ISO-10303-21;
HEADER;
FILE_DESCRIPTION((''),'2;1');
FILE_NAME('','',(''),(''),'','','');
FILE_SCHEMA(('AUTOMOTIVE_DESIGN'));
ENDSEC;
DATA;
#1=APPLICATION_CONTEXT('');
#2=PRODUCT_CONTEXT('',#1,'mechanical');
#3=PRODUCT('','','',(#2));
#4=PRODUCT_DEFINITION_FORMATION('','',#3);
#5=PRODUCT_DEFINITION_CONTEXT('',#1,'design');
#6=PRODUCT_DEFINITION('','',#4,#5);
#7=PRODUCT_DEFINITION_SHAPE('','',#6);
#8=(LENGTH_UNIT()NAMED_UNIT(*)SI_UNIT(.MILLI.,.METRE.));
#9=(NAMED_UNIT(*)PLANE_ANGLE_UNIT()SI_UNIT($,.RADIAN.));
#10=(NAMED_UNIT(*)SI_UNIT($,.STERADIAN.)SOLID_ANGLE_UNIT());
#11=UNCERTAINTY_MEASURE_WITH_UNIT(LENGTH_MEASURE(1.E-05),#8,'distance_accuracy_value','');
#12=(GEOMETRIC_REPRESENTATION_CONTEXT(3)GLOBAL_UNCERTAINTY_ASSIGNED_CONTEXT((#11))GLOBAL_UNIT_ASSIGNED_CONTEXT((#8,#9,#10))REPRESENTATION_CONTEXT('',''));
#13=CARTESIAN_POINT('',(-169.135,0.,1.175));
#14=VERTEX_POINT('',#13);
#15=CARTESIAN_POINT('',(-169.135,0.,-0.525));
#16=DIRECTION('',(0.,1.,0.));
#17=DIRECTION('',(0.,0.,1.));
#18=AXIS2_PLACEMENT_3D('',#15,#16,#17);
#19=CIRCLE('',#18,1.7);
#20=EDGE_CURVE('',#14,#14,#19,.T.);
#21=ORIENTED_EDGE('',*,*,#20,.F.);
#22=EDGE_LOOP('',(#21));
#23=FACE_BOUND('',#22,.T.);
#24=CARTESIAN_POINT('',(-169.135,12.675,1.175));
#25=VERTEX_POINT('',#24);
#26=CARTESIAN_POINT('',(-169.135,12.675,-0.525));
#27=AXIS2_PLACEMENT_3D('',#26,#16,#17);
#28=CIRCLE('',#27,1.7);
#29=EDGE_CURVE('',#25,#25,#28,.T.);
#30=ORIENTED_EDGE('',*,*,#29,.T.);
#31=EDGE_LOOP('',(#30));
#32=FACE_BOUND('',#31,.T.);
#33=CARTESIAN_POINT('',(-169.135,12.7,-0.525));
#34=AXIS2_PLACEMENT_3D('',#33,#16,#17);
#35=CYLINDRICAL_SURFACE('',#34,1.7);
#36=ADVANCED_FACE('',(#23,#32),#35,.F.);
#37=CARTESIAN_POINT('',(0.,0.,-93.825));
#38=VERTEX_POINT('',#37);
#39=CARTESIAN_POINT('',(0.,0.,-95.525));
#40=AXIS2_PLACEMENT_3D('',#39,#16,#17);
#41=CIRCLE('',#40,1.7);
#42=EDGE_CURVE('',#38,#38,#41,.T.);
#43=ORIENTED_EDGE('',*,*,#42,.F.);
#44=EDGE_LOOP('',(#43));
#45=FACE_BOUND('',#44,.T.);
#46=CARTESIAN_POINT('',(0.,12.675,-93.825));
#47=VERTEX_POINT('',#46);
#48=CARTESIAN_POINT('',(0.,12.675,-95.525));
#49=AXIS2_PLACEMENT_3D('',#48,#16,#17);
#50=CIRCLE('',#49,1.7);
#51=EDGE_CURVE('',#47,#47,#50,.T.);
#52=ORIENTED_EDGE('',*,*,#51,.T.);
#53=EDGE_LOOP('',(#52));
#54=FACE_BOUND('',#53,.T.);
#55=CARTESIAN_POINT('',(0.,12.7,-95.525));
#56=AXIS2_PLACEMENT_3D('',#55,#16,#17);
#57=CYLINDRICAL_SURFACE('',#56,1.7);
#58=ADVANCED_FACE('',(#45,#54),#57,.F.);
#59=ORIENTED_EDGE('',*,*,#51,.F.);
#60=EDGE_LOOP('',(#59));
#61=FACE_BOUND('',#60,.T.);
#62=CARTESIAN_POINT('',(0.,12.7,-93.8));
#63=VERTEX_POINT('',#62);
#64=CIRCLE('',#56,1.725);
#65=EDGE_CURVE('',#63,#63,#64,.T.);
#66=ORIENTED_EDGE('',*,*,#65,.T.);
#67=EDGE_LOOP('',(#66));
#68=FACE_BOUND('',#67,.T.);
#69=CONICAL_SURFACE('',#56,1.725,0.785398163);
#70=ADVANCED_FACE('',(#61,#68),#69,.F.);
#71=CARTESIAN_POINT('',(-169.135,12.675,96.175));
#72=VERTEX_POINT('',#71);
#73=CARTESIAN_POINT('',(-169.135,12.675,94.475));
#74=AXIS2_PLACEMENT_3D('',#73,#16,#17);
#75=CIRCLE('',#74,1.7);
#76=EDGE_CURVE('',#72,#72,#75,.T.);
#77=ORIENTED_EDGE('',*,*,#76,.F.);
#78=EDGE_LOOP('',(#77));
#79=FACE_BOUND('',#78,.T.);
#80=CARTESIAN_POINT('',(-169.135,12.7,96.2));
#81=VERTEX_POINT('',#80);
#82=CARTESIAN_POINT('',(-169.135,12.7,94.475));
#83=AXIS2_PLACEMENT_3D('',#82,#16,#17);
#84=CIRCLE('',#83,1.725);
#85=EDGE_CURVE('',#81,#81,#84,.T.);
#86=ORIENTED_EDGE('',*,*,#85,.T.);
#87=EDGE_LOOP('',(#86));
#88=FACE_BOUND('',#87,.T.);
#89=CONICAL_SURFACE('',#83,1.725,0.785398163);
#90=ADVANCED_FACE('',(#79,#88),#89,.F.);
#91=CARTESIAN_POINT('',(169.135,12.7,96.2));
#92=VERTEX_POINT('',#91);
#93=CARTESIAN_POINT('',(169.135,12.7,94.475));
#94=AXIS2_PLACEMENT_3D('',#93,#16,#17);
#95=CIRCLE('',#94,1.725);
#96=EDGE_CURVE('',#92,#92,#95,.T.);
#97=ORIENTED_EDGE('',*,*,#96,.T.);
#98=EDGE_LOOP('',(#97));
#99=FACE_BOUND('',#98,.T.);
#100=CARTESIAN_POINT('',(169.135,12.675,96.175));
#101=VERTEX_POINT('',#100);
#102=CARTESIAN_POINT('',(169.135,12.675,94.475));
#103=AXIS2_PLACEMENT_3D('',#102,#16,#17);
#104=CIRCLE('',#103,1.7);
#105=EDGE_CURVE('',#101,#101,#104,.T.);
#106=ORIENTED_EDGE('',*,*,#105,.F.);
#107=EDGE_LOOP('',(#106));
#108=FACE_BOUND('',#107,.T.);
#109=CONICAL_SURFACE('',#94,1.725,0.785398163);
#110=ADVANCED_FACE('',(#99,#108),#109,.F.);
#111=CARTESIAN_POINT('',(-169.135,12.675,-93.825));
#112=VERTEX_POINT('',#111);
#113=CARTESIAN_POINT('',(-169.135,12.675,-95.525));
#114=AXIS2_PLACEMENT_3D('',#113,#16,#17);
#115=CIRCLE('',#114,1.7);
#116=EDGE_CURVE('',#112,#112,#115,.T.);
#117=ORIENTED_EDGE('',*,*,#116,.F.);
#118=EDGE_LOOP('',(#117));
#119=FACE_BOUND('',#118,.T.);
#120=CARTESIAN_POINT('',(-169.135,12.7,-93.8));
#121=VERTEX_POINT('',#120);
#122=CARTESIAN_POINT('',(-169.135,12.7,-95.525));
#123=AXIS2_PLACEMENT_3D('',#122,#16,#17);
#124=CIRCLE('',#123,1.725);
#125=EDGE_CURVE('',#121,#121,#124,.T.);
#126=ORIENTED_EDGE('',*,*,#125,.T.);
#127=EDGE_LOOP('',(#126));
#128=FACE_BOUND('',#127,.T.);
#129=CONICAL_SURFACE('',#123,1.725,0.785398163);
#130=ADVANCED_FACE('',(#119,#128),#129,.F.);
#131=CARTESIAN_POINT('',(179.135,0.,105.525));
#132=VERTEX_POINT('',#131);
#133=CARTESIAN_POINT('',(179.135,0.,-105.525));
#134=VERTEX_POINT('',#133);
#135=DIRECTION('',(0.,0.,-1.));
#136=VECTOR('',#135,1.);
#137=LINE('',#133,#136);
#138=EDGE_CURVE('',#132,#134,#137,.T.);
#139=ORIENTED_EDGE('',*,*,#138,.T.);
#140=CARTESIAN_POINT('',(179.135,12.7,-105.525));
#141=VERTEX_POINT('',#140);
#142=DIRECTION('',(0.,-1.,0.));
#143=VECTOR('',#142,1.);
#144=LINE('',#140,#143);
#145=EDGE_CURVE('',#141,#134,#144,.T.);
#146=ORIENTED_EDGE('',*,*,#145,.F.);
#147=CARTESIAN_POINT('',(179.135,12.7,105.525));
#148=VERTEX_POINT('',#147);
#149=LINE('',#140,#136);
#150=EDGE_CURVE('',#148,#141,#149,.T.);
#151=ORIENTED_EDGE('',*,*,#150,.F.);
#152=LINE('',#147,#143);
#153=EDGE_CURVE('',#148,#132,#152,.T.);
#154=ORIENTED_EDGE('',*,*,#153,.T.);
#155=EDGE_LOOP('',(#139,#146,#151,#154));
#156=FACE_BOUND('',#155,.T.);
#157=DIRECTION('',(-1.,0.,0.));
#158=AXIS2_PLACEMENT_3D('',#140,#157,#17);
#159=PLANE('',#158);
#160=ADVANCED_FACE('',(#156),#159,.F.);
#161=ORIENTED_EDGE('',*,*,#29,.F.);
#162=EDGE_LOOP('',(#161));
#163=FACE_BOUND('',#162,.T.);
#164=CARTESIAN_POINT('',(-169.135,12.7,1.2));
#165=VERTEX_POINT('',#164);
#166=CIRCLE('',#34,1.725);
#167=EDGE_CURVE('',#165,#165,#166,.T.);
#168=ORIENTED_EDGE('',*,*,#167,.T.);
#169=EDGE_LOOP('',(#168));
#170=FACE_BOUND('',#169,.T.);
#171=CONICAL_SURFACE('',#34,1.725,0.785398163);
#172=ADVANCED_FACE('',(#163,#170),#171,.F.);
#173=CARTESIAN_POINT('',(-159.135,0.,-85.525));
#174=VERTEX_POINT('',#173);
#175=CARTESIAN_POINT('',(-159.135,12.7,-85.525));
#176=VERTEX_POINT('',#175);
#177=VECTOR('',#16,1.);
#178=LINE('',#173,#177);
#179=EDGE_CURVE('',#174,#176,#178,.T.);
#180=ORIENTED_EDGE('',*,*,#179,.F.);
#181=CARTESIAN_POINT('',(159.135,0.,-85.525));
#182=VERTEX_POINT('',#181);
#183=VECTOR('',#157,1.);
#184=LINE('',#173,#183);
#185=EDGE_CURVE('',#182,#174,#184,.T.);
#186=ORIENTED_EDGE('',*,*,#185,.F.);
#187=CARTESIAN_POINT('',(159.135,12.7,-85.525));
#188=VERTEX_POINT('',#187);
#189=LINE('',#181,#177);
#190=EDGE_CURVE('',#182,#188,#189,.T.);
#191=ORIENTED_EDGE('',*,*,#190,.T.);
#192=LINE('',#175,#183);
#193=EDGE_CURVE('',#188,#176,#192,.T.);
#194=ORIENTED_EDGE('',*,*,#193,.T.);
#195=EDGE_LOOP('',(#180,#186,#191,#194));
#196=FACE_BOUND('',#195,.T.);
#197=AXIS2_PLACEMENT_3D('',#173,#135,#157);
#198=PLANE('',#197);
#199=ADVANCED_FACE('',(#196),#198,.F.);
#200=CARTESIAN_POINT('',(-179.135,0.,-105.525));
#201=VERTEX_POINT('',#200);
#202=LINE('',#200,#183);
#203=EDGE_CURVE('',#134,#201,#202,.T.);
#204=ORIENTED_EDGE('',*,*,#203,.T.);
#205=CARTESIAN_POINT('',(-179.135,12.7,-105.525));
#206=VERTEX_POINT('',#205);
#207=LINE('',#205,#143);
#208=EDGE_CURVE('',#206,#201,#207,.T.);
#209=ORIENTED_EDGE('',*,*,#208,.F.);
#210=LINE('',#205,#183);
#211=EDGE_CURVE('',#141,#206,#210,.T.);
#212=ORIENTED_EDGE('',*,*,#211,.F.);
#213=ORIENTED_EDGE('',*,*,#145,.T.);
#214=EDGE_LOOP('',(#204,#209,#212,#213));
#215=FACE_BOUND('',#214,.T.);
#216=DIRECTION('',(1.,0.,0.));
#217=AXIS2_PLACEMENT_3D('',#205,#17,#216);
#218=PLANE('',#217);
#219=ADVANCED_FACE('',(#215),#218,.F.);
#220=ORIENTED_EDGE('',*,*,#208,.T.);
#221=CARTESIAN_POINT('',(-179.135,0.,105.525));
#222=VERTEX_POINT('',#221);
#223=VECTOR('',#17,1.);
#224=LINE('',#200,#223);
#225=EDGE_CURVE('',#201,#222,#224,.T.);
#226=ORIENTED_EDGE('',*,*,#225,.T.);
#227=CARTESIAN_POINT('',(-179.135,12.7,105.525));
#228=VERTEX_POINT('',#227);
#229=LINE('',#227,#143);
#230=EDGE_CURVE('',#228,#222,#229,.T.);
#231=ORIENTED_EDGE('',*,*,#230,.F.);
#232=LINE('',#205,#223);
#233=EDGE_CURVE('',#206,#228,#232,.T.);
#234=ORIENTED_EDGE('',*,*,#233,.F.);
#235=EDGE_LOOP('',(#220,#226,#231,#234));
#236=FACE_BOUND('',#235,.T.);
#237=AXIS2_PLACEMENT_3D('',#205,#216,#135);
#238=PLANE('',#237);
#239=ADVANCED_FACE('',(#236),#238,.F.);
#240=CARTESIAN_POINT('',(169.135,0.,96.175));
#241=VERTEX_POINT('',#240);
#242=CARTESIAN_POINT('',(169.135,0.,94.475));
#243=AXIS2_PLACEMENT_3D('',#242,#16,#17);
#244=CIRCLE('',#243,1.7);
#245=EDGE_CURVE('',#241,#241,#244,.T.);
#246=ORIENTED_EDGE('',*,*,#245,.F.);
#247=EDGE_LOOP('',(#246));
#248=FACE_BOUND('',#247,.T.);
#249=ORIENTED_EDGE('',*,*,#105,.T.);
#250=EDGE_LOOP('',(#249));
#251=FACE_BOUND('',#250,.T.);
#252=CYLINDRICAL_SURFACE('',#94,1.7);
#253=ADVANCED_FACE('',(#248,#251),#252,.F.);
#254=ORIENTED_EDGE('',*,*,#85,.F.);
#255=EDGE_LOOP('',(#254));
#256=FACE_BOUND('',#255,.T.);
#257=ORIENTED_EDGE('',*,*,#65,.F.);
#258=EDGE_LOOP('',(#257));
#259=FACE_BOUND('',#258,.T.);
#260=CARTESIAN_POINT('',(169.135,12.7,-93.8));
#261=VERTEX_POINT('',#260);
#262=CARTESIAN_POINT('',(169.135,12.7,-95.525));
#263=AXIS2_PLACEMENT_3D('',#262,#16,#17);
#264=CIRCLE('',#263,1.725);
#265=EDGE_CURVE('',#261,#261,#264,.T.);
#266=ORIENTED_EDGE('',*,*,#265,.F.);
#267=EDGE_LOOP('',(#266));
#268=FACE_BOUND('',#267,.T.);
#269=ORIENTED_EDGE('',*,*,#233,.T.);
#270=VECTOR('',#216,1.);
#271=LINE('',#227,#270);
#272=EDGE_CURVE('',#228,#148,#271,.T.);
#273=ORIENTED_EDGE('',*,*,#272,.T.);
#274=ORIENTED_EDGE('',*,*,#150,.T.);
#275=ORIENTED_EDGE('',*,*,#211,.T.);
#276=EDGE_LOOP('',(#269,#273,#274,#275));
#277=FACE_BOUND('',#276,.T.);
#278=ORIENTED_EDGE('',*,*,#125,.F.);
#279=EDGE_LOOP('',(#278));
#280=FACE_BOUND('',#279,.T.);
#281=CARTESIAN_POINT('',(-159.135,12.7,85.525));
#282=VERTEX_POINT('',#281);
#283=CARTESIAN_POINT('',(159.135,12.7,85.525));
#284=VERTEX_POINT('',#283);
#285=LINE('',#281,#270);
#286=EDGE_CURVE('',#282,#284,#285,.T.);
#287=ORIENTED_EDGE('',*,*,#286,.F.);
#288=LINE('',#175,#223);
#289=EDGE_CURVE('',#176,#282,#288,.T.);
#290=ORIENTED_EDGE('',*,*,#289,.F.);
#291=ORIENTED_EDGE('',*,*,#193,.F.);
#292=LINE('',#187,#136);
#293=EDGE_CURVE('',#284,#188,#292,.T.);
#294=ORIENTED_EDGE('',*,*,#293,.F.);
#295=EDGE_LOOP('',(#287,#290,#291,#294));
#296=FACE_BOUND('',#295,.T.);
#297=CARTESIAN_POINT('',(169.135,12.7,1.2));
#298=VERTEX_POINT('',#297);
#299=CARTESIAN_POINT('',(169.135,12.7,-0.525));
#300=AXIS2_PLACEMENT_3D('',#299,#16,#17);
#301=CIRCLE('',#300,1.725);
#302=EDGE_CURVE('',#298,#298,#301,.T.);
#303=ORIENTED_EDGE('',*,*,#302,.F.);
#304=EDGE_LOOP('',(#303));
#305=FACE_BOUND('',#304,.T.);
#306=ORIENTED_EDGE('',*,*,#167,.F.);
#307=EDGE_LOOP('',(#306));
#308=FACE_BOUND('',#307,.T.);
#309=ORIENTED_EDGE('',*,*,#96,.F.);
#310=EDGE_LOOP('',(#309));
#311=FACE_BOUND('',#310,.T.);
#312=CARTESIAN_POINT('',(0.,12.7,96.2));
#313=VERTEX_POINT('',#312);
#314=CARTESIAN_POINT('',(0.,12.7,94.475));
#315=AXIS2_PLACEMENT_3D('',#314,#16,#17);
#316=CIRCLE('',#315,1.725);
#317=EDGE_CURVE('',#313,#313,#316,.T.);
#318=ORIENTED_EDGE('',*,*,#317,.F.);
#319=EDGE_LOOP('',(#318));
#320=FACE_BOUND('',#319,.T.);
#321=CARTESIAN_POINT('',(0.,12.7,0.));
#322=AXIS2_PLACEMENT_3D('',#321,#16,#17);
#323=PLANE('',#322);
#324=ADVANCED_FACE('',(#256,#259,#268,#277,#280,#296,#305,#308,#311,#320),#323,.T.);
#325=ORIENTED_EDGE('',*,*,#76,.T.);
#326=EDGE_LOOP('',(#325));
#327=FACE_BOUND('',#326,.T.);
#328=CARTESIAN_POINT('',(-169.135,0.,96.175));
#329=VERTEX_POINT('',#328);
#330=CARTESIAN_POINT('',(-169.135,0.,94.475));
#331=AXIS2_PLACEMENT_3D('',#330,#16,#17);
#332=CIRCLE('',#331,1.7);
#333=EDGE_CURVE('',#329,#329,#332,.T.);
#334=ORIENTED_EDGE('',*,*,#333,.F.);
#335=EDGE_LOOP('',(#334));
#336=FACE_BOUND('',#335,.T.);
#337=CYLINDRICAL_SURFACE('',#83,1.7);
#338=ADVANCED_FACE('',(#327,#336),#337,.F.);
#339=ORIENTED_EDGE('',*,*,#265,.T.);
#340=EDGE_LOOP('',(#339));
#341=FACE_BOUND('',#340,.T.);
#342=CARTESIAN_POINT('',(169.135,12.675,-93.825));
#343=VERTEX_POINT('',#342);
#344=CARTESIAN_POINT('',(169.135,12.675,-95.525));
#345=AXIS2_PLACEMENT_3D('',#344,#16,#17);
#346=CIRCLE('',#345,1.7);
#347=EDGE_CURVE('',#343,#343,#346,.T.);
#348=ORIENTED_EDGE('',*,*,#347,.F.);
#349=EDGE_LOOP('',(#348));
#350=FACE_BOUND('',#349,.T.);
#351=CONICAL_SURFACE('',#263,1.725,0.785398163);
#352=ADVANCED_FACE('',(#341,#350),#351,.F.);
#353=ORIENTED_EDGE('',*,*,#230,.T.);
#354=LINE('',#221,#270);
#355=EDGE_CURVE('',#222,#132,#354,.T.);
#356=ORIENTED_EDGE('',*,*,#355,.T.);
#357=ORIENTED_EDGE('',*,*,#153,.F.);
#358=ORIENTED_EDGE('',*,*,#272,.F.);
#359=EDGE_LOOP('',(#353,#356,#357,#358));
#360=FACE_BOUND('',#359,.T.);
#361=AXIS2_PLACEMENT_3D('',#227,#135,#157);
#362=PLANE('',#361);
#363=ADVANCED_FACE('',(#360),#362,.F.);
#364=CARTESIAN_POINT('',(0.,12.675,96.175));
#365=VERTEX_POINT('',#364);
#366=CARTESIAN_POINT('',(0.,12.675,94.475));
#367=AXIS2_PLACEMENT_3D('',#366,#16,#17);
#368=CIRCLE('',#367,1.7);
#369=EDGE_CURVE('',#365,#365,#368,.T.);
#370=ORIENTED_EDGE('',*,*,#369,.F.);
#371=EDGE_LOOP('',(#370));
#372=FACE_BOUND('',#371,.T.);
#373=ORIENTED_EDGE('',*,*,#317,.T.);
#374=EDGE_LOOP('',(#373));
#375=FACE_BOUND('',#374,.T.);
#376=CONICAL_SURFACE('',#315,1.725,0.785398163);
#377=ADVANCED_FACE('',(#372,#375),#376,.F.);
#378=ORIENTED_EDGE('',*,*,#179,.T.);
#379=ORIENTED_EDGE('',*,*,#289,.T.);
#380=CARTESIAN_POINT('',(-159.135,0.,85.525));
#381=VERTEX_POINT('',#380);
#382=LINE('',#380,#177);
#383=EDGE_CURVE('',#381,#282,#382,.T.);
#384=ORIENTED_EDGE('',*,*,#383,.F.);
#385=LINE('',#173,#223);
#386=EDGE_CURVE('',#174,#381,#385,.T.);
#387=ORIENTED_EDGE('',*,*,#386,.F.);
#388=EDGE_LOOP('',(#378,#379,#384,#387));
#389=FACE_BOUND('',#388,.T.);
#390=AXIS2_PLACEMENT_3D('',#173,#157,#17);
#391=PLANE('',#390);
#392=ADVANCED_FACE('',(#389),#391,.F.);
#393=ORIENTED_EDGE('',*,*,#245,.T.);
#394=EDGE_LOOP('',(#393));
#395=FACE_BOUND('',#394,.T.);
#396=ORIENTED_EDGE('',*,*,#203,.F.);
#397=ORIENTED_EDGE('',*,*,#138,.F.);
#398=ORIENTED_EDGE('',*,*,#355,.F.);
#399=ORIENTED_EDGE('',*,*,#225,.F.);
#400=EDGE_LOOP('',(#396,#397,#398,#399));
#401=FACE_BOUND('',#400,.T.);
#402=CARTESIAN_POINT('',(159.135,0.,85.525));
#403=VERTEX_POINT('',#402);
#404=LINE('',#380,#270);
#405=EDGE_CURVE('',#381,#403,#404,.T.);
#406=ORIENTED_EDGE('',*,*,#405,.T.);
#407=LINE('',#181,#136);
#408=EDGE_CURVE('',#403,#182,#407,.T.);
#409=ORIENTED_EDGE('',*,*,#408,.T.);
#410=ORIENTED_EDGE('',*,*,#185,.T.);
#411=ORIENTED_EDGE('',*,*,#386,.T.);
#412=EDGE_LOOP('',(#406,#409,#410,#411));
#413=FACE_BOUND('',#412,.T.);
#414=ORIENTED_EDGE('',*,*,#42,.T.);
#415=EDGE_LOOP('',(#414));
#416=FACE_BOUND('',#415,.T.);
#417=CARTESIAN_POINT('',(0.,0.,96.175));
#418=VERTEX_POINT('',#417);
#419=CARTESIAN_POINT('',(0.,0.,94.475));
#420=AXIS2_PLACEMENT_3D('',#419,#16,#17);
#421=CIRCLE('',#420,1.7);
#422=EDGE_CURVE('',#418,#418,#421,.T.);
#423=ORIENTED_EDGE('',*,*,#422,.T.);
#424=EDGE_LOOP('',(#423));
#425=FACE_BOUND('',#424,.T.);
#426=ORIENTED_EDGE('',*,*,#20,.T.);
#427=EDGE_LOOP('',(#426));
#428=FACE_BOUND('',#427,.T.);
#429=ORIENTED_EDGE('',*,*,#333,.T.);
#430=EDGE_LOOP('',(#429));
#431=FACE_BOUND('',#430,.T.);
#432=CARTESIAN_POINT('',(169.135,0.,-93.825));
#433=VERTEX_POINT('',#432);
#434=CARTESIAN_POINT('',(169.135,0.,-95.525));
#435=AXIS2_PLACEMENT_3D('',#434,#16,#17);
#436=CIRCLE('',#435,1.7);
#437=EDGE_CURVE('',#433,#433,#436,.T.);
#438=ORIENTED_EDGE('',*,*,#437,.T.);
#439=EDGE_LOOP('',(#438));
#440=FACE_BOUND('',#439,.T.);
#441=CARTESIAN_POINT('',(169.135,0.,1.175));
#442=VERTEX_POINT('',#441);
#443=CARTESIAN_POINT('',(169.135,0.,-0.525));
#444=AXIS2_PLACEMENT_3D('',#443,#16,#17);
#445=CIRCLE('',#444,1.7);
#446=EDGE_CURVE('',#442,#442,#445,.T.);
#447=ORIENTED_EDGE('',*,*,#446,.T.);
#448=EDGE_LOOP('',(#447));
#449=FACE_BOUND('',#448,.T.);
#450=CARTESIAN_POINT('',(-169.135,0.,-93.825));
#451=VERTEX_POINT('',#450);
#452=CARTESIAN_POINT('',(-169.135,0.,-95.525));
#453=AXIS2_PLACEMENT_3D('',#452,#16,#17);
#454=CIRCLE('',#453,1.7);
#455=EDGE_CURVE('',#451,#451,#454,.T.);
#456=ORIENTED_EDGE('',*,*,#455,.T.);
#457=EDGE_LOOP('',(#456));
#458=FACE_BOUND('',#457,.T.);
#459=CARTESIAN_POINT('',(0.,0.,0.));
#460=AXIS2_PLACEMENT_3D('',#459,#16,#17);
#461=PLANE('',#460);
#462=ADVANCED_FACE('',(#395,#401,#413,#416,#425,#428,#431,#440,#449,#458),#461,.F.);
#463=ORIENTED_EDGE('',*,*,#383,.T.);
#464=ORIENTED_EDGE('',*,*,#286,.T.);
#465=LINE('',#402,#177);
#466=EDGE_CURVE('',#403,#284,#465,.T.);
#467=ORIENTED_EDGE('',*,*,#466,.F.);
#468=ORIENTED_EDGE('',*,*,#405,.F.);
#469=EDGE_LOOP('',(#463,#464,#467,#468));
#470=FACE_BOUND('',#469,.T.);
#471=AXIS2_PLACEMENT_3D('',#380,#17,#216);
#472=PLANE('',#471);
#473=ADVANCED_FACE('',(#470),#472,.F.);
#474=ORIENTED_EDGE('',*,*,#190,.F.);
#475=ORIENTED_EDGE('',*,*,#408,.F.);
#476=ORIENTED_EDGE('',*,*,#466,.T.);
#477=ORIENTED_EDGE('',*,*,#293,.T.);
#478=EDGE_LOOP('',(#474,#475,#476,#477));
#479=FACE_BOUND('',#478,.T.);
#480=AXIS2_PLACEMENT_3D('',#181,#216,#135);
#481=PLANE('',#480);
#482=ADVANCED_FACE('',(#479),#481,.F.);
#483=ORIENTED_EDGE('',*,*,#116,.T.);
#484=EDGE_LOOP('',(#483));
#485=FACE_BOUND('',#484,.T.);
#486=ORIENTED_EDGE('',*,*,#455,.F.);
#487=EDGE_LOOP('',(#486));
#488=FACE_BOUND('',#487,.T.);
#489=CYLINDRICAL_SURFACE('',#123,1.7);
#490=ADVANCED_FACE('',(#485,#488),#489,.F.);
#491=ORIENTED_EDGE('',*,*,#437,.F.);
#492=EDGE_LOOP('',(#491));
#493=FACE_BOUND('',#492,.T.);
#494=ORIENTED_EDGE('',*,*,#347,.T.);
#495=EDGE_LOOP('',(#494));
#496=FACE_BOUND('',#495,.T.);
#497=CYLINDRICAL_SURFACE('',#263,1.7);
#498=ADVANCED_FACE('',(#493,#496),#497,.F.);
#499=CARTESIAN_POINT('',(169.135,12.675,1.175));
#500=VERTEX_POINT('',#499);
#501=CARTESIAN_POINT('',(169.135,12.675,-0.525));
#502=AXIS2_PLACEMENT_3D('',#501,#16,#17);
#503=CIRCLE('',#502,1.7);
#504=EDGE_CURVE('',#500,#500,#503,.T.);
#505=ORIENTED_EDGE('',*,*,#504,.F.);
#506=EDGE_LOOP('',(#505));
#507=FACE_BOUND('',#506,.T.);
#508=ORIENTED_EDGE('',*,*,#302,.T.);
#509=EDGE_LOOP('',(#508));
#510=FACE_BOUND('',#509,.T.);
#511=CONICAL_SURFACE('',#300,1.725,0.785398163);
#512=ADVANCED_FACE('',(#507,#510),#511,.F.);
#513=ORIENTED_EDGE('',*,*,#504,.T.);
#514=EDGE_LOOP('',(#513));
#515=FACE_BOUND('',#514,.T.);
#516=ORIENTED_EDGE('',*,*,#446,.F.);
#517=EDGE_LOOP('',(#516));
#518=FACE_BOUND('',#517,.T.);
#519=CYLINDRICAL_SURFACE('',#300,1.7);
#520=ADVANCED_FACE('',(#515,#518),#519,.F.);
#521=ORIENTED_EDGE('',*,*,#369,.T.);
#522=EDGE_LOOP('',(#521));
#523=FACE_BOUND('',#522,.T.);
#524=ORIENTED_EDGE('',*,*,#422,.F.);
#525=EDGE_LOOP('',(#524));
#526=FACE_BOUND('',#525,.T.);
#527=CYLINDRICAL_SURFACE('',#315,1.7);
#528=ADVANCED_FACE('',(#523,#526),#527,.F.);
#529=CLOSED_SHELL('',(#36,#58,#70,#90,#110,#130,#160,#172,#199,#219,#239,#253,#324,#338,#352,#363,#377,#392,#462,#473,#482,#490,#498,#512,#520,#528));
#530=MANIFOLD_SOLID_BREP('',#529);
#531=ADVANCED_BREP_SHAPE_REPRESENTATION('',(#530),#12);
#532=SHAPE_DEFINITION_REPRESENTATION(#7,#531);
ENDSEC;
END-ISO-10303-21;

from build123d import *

# Parameters (mm, degrees)
SKETCH1_W                      = 358.27
SKETCH1_H                      = 211.05
BOSS_EXTRUDE1_DEPTH            = 12.7
SKETCH2_W                      = 318.27
SKETCH2_H                      = 171.05
CUT_EXTRUDE1_DEPTH             = 12.7
M3_CLEARANCE_HOLE1_D           = 3.4
M3_CLEARANCE_HOLE1_CSINK_D     = 3.45
M3_CLEARANCE_HOLE1_CSINK_ANGLE = 90


with BuildPart() as part:
    # Sketch1 → Boss-Extrude1 (new body)
    with BuildSketch(Plane(origin=(0, 0, 0), x_dir=(1, 0, 0), z_dir=(0, 1, 0))):
        Rectangle(SKETCH1_W, SKETCH1_H)
    extrude(amount=BOSS_EXTRUDE1_DEPTH)

    # Sketch2 → Cut-Extrude1 (cut)
    with BuildSketch(Plane(origin=(0, 12.7, 0), x_dir=(1, 0, 0), z_dir=(0, 1, 0))):
        Rectangle(SKETCH2_W, SKETCH2_H)
    extrude(amount=-CUT_EXTRUDE1_DEPTH, mode=Mode.SUBTRACT)

    # M3 Clearance Hole1 (through all)
    with Locations(Plane(origin=(0, 12.7, 0), x_dir=(1, 0, 0), z_dir=(0, 1, 0))):
        with Locations((-169.135, 95.525), (-169.135, 0.525), (-169.135, -94.475), (0, -94.475), (169.135, -94.475), (169.135, 0.525), (169.135, 95.525), (0, 95.525)):
            CounterSinkHole(M3_CLEARANCE_HOLE1_D / 2, M3_CLEARANCE_HOLE1_CSINK_D / 2, counter_sink_angle=M3_CLEARANCE_HOLE1_CSINK_ANGLE)


solid = part.part
